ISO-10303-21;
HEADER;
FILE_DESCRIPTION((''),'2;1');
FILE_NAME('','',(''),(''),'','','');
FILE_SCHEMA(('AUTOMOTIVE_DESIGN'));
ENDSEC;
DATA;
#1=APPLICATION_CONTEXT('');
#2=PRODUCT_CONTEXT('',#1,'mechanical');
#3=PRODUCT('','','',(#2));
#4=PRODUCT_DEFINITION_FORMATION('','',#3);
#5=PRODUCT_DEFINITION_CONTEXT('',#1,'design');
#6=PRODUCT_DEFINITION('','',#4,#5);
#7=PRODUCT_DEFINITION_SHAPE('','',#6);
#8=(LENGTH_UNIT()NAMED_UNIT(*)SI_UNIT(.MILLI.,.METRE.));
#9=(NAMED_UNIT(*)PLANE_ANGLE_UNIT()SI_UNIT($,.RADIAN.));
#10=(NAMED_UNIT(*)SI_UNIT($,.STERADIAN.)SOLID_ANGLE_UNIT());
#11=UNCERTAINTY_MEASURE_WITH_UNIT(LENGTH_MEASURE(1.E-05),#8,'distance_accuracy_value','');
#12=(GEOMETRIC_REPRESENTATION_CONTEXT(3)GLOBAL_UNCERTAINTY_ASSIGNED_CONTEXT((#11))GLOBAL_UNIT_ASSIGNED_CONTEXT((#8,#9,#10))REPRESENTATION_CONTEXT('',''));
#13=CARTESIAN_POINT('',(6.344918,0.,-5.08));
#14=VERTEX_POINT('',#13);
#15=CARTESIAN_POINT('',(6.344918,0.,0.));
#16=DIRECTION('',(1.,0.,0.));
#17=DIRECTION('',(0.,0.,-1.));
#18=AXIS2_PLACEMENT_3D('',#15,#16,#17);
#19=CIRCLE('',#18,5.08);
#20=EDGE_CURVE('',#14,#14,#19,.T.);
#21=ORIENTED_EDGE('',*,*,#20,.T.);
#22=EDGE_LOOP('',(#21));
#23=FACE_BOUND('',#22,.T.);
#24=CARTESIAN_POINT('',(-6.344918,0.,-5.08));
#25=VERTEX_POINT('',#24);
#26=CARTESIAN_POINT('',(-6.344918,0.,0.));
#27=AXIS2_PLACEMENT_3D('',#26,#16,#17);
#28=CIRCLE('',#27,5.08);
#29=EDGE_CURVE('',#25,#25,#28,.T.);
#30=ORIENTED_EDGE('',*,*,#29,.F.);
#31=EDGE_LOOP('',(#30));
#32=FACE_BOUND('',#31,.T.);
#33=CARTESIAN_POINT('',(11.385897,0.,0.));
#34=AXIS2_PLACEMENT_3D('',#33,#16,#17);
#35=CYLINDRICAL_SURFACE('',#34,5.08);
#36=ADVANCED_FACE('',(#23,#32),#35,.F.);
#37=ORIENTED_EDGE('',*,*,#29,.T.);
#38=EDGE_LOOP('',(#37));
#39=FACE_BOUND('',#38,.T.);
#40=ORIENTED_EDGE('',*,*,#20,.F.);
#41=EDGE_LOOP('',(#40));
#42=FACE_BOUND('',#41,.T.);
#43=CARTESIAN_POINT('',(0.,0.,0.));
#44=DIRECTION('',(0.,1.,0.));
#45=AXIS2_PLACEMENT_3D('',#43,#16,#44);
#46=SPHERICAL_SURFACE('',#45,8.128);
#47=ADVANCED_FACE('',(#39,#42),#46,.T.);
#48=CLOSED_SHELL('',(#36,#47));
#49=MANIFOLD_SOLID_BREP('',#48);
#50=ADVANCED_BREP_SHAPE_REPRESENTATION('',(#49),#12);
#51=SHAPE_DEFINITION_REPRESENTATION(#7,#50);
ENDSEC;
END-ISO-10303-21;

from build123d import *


with BuildPart() as part:
    # Sketch1 → Revolve1 (revolve)
    with BuildSketch(Plane.XY):
        with BuildLine():
            Line((-6.344917966, 5.08), (6.344917966, 5.08))
            ThreePointArc((6.344917966, 5.08), (0, 8.128), (-6.344917966, 5.08))
        make_face()
    revolve(axis=Axis((11.385897249, 0, 0), (-1, 0, 0)))


solid = part.part
